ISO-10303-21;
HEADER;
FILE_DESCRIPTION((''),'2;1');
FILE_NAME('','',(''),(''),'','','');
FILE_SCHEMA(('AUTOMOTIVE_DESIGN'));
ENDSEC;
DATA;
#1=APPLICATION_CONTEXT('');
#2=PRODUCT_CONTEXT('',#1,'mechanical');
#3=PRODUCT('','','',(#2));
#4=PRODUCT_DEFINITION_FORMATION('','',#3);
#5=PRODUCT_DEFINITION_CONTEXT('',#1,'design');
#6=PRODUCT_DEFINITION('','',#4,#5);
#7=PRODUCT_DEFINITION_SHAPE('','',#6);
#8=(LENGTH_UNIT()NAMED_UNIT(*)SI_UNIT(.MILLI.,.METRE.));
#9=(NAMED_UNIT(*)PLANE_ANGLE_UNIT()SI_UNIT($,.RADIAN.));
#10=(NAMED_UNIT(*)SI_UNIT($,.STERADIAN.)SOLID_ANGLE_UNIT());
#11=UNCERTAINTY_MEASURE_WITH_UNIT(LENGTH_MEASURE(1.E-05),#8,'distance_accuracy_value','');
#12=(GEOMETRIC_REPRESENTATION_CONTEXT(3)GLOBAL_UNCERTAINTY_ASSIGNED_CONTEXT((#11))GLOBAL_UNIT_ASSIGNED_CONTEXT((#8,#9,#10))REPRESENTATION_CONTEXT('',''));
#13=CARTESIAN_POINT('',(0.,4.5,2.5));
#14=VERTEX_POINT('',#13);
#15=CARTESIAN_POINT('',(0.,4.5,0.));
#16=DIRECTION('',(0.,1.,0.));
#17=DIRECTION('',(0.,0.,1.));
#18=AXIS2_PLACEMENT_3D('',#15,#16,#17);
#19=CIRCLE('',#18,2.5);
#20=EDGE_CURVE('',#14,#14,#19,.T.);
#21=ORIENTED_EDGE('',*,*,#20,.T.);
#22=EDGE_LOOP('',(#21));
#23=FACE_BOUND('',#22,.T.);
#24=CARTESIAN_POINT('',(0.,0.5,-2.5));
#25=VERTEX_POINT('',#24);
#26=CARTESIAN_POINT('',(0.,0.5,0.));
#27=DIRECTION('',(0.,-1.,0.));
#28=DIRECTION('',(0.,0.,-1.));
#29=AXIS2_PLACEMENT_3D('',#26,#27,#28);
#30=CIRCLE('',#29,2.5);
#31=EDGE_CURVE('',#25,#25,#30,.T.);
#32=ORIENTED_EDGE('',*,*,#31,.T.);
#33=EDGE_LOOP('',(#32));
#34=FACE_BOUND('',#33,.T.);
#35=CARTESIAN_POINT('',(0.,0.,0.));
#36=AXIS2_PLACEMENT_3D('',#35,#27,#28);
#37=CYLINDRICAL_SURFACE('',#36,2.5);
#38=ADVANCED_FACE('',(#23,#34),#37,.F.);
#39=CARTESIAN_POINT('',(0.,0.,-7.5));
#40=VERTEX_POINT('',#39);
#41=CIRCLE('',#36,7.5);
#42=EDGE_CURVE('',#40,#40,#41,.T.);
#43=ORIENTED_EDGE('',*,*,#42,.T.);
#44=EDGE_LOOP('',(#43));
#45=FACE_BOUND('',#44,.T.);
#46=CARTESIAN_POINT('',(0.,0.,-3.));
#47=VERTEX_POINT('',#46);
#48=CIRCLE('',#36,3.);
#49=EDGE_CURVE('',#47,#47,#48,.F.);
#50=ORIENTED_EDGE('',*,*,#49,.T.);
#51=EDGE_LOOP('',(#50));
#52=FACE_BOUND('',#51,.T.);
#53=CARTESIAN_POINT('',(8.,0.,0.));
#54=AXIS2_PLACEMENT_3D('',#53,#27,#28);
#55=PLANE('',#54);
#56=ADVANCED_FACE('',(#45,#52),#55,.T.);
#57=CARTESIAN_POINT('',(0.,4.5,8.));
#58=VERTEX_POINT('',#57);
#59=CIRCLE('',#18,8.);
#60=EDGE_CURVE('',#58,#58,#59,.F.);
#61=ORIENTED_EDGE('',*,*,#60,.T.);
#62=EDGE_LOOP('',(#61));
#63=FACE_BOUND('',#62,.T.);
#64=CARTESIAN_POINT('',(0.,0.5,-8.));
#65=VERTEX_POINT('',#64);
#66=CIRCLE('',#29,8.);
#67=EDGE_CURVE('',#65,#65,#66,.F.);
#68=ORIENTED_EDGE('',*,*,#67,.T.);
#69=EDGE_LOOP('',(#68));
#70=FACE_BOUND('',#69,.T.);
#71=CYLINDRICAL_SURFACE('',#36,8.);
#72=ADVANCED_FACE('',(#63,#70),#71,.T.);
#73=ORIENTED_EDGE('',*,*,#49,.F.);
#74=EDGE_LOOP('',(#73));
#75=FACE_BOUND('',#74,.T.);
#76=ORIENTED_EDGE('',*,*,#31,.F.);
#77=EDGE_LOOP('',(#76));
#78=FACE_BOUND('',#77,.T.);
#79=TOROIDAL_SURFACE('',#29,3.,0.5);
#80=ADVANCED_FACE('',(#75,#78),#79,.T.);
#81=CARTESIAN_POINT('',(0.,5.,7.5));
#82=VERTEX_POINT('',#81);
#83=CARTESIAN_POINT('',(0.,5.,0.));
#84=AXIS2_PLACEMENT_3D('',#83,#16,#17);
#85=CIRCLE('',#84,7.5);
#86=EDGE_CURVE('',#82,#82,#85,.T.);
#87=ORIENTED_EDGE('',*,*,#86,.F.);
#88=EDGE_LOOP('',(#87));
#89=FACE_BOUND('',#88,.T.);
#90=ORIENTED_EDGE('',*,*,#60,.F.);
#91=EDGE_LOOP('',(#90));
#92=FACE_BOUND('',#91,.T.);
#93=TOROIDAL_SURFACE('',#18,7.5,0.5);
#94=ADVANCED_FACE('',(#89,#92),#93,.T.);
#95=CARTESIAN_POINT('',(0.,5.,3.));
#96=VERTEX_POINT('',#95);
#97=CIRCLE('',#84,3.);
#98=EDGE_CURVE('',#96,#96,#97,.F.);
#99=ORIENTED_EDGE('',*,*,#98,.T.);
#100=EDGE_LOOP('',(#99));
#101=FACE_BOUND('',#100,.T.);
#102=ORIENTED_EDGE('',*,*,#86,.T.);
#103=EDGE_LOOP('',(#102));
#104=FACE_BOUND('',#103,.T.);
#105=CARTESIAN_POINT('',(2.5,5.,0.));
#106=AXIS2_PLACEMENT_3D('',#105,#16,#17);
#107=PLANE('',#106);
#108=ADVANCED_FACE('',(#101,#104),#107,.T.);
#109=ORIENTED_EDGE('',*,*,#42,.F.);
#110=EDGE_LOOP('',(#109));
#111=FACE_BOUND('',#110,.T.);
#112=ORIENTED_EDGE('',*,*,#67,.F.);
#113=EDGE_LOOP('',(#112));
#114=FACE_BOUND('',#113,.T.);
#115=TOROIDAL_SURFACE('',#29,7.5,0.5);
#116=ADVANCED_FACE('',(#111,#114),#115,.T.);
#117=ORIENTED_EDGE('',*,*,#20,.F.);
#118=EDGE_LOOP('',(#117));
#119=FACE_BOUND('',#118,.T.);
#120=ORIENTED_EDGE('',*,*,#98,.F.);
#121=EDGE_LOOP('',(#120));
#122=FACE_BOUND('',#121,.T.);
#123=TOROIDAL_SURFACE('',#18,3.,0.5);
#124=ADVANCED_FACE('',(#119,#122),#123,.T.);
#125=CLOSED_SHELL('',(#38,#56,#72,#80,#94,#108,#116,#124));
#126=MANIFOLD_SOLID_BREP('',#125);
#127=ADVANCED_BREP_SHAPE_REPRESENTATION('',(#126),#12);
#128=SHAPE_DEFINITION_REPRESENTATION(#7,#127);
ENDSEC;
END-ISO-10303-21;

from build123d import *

# Parameters (mm, degrees)
ESQUISSE1_W = 5.5
ESQUISSE1_H = 5
CONG_1_R    = 0.5


with BuildPart() as part:
    # Esquisse1 → Révolution1 (revolve)
    with BuildSketch(Plane.XY, mode=Mode.PRIVATE) as r_volution1_sk:
        with Locations((5.25, 2.5)):
            Rectangle(ESQUISSE1_W, ESQUISSE1_H)
    revolve(r_volution1_sk.sketch.rotate(Axis((0, 0, 0), (0, 1, 0)), 90), axis=Axis((0, 0, 0), (0, 1, 0)))

    # Congé1
    cong_1_edges = [part.edges().sort_by_distance(p)[0] for p in [
        (0, 0, 8),
        (0, 5, 8),
        (0, 5, 2.5),
        (0, 0, 2.5),
    ]]
    fillet(cong_1_edges, radius=CONG_1_R)


solid = part.part
